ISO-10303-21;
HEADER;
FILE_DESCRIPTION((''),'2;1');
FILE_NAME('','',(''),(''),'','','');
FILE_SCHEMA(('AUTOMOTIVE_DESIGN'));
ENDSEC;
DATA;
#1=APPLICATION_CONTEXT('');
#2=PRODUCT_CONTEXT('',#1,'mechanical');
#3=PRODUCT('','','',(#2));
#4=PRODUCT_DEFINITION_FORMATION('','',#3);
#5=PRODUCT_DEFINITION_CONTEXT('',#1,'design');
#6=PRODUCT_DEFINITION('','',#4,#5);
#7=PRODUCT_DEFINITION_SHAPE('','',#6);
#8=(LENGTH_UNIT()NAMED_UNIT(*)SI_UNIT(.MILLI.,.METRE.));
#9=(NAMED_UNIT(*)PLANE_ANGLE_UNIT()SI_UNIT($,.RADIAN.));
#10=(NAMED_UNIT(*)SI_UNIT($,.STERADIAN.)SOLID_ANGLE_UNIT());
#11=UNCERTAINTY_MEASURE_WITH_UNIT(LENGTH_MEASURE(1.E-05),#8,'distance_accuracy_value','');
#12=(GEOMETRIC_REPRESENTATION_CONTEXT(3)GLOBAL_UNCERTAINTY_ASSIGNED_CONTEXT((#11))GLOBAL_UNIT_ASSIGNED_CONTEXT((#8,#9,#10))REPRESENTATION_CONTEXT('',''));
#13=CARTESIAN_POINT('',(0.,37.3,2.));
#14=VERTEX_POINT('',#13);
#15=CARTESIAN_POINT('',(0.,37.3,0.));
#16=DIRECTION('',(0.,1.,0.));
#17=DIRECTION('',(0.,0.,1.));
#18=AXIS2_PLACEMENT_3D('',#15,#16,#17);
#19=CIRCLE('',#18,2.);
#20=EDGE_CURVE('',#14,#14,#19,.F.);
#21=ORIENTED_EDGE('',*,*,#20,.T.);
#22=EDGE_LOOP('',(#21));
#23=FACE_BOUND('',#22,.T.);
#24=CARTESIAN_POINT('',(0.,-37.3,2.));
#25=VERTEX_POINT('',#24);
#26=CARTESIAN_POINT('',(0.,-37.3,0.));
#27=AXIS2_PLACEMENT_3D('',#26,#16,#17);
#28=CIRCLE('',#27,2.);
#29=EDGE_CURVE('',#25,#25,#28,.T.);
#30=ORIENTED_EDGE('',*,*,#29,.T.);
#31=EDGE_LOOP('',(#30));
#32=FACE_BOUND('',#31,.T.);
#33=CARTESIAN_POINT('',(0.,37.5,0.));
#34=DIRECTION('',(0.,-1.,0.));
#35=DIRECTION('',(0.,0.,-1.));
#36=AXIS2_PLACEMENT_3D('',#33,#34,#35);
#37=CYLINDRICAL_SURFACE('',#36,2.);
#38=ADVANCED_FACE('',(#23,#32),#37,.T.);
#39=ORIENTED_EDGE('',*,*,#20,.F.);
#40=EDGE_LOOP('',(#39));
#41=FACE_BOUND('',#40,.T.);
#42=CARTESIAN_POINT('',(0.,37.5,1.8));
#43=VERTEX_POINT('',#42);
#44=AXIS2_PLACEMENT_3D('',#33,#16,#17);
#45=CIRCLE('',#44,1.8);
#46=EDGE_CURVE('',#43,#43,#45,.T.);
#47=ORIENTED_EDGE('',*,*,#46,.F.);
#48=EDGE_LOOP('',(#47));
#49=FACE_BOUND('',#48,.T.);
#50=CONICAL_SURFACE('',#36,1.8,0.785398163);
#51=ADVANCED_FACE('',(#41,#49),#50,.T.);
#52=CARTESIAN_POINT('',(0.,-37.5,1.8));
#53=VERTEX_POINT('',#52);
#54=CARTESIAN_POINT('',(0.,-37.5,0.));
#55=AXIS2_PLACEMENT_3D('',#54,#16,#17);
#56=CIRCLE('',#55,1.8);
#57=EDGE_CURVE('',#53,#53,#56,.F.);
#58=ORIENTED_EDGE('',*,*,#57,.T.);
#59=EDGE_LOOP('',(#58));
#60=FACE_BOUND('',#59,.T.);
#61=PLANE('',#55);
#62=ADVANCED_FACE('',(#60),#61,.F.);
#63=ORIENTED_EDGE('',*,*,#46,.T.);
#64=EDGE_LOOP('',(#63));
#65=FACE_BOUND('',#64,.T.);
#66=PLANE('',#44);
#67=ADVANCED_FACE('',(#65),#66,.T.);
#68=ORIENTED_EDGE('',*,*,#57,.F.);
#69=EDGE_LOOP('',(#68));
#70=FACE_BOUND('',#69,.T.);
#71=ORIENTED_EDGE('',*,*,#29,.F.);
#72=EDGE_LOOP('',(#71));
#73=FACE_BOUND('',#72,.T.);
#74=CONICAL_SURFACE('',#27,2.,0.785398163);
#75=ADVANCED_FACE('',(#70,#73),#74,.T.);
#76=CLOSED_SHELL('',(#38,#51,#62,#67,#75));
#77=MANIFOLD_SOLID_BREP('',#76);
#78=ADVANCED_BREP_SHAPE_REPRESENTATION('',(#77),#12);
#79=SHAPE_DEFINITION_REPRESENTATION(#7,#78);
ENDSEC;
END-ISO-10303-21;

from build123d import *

# Parameters (mm, degrees)
SKETCH1_R           = 2
BOSS_EXTRUDE1_DEPTH = 37.5
CHAMFER1_SIZE       = 0.2


with BuildPart() as part:
    # Sketch1 → Boss-Extrude1 (new body, symmetric)
    with BuildSketch(Plane(origin=(0, 0, 0), x_dir=(1, 0, 0), z_dir=(0, 1, 0))):
        Circle(SKETCH1_R)
    extrude(amount=BOSS_EXTRUDE1_DEPTH, both=True)

    # Chamfer1
    chamfer1_edges = [part.edges().sort_by_distance(p)[0] for p in [
        (-2, -37.5, 0),
        (-2, 37.5, 0),
    ]]
    chamfer(chamfer1_edges, length=CHAMFER1_SIZE)


solid = part.part
